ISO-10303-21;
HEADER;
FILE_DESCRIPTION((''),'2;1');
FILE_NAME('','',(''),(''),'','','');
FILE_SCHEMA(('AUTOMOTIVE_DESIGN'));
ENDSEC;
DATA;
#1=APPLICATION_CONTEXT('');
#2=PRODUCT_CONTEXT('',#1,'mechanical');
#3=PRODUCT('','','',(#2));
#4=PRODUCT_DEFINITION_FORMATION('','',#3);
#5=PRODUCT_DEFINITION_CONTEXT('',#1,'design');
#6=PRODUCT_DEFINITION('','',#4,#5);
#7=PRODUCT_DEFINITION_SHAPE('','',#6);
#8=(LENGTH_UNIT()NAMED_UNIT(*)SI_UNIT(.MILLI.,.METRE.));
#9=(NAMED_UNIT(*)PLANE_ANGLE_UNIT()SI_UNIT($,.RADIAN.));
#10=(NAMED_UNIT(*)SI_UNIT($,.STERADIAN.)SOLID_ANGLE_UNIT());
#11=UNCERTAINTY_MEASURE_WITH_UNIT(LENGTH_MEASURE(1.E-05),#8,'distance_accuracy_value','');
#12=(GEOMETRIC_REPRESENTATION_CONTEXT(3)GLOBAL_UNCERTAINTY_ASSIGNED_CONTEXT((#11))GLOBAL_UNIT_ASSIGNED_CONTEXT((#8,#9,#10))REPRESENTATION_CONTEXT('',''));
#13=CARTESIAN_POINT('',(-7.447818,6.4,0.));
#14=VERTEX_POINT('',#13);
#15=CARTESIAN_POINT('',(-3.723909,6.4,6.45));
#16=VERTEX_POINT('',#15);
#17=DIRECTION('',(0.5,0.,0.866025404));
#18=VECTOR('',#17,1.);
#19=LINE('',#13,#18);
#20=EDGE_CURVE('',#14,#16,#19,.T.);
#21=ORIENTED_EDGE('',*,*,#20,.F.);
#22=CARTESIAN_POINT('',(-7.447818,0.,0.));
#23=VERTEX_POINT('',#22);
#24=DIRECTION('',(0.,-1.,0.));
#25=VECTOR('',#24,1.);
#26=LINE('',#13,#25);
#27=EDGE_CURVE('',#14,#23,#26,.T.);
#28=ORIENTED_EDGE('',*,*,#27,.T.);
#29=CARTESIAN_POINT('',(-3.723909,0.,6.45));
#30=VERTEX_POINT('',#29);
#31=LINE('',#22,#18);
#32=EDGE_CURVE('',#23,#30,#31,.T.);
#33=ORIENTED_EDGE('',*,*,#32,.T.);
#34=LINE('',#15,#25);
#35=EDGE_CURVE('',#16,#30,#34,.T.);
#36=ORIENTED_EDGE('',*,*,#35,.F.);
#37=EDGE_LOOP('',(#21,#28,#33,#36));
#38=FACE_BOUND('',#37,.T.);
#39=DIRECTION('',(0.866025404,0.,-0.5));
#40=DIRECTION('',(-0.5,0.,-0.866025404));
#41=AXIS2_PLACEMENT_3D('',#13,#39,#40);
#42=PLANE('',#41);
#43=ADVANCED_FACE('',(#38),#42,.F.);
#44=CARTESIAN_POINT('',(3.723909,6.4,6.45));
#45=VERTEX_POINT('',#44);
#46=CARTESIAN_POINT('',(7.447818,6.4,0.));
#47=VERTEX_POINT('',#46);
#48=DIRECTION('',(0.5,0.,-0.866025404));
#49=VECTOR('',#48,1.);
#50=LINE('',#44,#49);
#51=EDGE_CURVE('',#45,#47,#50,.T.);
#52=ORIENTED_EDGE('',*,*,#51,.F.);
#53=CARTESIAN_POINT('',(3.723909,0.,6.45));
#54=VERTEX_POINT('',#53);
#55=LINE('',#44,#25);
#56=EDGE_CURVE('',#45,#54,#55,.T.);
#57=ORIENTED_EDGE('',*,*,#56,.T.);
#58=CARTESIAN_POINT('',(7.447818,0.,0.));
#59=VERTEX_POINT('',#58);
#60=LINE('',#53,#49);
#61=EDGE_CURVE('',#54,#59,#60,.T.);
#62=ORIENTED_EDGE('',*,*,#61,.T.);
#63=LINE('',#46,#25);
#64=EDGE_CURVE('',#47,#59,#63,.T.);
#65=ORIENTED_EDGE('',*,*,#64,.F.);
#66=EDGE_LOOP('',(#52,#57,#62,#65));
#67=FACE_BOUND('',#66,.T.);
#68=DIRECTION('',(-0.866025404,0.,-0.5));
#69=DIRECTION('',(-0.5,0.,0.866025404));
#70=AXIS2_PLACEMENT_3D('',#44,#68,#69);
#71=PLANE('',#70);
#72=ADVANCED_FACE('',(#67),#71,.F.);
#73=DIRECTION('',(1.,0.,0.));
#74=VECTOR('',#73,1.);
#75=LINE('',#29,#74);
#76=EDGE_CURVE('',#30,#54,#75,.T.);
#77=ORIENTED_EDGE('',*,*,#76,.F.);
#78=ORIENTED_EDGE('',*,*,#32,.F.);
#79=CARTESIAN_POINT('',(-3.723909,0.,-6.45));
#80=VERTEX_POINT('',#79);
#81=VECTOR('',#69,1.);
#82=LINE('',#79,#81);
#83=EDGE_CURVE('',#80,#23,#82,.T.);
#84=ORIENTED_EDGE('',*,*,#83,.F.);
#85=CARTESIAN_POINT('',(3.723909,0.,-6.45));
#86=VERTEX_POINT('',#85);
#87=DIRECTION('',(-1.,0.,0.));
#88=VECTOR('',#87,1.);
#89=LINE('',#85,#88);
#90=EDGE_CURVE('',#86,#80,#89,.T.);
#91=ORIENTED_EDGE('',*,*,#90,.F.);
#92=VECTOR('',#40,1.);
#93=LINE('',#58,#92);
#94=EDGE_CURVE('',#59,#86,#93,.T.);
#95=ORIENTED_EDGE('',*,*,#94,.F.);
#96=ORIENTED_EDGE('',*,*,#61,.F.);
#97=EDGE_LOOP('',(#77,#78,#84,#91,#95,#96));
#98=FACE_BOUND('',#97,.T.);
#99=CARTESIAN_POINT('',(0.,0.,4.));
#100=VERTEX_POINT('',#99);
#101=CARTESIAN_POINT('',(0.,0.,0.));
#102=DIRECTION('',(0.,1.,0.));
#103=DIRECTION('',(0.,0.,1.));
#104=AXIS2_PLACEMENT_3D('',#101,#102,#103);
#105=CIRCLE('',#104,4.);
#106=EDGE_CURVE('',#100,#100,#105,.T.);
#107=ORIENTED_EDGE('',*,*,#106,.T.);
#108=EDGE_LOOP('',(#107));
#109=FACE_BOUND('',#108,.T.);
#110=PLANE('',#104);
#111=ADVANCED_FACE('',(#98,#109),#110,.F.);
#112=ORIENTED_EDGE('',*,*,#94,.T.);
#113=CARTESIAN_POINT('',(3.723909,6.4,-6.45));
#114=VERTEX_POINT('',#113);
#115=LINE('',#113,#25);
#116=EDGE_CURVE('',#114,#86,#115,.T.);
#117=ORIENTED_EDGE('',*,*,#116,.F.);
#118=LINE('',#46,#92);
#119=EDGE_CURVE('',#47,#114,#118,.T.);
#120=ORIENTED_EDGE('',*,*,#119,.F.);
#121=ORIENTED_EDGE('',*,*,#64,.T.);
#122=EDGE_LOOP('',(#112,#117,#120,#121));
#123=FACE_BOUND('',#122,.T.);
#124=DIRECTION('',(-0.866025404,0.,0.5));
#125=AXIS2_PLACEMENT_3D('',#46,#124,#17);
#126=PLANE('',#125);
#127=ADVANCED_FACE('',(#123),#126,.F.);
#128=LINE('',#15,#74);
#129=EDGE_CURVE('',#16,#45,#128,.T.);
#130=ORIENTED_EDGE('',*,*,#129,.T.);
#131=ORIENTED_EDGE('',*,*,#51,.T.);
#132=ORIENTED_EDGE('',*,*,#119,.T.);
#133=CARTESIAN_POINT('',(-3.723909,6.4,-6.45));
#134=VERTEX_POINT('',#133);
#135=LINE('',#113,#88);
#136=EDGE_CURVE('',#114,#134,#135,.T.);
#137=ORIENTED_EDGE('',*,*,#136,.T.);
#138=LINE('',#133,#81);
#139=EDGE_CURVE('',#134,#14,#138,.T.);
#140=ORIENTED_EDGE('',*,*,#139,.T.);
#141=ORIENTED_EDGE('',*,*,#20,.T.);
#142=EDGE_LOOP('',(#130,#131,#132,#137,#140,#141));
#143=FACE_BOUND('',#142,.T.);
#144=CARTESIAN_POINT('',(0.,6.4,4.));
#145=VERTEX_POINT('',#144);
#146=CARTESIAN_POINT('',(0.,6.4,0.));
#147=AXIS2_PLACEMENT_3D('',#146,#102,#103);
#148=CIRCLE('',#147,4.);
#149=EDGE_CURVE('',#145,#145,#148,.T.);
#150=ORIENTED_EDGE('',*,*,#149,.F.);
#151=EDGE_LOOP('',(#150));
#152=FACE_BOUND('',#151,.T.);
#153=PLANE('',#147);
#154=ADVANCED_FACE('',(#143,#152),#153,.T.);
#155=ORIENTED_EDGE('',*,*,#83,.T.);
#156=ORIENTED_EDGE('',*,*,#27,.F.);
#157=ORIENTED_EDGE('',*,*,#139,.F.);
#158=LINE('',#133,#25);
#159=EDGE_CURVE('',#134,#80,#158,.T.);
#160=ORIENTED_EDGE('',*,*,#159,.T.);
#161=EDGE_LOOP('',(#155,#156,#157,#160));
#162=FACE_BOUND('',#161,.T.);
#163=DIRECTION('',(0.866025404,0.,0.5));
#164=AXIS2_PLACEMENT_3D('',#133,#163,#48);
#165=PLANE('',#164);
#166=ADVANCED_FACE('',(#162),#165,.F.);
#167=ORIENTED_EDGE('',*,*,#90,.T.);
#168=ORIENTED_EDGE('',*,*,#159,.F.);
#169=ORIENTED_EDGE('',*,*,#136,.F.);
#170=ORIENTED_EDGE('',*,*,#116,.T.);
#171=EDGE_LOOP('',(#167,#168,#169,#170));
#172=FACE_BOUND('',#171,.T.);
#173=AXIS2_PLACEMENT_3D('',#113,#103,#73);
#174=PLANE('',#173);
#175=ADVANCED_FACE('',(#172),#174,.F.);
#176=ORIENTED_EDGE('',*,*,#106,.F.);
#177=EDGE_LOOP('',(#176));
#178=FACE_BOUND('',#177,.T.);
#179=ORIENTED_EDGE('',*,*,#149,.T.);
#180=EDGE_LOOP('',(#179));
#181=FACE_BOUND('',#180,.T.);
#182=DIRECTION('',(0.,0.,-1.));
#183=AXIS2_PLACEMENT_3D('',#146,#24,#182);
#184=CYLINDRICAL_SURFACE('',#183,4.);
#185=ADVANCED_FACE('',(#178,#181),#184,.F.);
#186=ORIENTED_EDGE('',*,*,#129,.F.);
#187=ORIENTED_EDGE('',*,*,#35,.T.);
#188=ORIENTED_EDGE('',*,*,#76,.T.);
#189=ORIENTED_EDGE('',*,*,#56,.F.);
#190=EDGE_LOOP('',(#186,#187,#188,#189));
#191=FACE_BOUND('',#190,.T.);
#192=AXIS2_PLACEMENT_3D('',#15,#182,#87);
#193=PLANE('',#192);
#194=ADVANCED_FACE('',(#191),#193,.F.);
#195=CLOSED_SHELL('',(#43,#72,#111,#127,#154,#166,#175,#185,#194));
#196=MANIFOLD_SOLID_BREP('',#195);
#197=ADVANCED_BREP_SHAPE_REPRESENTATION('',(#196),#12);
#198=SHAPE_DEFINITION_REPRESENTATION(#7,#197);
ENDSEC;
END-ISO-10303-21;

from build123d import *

# Parameters (mm, degrees)
SKETCH1_R           = 4
BOSS_EXTRUDE1_DEPTH = 6.4


with BuildPart() as part:
    # Sketch1 → Boss-Extrude1 (new body)
    with BuildSketch(Plane(origin=(0, 0, 0), x_dir=(1, 0, 0), z_dir=(0, 1, 0))):
        Polygon((3.723909236, 6.45), (-3.723909236, 6.45), (-7.447818473, 0), (-3.723909236, -6.45), (3.723909236, -6.45), (7.447818473, 0), align=None)
        Circle(SKETCH1_R, mode=Mode.SUBTRACT)
    extrude(amount=BOSS_EXTRUDE1_DEPTH)


solid = part.part
